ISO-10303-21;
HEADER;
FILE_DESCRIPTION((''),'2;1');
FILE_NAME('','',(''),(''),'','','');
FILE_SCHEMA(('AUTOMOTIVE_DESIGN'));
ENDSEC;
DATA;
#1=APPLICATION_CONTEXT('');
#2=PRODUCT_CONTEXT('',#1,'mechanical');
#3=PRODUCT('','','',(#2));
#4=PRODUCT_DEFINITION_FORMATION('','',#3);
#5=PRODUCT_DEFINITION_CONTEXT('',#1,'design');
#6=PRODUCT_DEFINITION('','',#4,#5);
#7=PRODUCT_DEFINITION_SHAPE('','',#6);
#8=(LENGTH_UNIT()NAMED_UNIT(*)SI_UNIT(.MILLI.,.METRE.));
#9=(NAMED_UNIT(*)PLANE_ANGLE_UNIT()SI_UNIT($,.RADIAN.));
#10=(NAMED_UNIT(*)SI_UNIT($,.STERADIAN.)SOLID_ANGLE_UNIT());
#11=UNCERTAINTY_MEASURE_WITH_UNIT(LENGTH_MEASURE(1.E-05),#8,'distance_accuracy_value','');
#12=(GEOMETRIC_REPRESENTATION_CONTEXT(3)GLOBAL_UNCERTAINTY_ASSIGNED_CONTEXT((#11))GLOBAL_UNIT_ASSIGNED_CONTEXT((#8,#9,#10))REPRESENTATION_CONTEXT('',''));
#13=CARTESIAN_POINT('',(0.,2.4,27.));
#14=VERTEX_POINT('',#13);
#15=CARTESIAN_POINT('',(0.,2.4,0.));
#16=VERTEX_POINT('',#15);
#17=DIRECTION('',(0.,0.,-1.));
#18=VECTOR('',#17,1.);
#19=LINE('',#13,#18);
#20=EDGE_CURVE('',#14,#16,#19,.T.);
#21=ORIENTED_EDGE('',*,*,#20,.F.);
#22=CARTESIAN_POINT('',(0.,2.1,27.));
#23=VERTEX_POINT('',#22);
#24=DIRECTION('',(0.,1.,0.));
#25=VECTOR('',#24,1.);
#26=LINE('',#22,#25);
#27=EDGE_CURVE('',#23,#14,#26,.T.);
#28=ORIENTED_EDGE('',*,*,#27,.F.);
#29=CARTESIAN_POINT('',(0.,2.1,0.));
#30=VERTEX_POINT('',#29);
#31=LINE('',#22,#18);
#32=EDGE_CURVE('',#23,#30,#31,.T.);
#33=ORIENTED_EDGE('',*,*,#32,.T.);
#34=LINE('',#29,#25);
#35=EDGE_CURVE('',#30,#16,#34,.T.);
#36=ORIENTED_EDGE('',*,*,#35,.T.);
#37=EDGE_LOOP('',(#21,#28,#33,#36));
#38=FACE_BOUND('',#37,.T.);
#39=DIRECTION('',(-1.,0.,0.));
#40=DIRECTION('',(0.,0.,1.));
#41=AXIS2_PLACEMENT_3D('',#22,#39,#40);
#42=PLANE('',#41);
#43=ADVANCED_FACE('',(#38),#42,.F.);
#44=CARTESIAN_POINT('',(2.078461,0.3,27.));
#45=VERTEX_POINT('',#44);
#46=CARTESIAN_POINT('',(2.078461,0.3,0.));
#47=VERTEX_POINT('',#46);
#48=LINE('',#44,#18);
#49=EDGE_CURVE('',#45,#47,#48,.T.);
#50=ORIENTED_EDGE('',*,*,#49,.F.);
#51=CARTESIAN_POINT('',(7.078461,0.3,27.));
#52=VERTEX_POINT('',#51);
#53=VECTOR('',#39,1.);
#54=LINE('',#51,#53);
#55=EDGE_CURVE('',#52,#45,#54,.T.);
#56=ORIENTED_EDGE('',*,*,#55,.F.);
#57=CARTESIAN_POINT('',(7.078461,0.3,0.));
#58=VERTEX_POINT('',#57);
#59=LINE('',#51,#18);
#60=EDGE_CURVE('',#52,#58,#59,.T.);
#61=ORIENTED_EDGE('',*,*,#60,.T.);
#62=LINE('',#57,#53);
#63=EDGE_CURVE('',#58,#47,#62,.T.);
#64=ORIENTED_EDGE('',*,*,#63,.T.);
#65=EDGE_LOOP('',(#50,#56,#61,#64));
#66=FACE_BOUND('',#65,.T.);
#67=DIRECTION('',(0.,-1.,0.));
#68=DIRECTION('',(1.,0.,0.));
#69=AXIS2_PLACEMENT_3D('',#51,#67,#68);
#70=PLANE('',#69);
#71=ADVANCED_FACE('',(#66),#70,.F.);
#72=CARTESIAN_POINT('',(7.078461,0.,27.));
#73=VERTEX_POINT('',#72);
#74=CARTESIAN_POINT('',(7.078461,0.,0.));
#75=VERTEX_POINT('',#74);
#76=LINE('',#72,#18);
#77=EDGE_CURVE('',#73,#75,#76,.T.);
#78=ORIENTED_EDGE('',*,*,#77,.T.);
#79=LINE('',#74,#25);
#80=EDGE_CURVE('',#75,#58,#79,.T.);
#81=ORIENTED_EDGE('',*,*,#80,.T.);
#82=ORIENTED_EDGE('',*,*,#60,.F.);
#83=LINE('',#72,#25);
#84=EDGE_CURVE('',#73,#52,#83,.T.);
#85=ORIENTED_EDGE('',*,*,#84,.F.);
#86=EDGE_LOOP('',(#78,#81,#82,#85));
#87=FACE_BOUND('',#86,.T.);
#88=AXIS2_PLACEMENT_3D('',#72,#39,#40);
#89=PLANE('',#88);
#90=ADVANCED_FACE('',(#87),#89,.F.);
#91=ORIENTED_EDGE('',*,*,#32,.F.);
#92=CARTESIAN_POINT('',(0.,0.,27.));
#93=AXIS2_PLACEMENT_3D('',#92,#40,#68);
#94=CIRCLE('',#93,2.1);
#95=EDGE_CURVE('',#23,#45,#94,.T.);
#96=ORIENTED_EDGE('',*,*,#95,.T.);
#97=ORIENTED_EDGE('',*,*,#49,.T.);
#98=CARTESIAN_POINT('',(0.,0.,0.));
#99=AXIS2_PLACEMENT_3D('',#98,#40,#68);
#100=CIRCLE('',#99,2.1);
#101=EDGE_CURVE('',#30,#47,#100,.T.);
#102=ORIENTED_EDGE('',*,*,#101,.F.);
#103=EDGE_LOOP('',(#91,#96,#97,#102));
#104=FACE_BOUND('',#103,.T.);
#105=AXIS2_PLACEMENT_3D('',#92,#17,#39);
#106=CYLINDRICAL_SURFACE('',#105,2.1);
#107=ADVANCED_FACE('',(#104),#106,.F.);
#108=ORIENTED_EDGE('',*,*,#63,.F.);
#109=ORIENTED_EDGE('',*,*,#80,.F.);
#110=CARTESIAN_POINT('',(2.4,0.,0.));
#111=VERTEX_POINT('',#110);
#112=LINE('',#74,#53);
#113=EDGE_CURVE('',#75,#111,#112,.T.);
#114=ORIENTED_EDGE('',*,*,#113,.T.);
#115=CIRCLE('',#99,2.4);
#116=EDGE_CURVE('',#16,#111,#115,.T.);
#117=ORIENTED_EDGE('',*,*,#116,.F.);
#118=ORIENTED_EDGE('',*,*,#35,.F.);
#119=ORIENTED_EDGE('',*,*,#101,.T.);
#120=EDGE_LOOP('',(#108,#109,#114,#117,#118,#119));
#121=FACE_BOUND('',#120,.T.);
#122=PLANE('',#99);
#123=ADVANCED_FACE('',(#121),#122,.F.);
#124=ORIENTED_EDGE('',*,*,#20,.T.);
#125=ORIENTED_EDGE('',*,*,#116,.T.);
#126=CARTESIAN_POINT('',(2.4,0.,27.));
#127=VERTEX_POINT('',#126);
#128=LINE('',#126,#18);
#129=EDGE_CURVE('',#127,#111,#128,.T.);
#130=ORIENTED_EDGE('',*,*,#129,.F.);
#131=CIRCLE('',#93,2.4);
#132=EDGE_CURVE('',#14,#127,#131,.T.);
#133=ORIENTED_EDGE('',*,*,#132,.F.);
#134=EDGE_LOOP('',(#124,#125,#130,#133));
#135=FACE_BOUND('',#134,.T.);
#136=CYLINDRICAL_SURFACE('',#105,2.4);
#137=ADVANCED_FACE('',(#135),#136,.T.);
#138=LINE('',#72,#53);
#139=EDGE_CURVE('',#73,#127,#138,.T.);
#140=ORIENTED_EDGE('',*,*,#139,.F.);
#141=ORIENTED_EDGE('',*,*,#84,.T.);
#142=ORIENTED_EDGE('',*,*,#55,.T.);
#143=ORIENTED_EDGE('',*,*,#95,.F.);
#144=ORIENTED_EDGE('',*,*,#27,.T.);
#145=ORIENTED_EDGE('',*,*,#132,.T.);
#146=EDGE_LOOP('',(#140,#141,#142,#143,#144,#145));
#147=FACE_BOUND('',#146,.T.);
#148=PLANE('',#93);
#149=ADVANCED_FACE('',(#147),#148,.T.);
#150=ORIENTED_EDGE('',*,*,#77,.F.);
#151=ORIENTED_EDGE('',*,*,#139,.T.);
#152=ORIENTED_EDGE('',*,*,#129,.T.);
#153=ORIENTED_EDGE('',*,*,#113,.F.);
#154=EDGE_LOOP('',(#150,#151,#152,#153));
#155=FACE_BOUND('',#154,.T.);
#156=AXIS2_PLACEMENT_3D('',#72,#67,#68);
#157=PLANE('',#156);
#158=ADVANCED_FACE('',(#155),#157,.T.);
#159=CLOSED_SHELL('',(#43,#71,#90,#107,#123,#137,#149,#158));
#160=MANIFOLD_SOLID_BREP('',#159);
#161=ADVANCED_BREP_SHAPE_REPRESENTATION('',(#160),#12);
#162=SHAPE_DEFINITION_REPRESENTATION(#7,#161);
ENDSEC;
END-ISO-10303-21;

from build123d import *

# Parameters (mm, degrees)
BOSS_EXTRUDE1_DEPTH = 27


with BuildPart() as part:
    # Sketch1 → Boss-Extrude1 (new body)
    with BuildSketch(Plane.XY):
        with BuildLine():
            Line((7.078460969, 0), (2.4, 0))
            ThreePointArc((2.4, 0), (-1.697056275, -1.697056275), (0, 2.4))
            Line((0, 2.4), (0, 2.1))
            ThreePointArc((0, 2.1), (-1.374772708, -1.587450787), (2.078460969, 0.3))
            Line((2.078460969, 0.3), (7.078460969, 0.3))
            Line((7.078460969, 0.3), (7.078460969, 0))
        make_face()
    extrude(amount=BOSS_EXTRUDE1_DEPTH)


solid = part.part
